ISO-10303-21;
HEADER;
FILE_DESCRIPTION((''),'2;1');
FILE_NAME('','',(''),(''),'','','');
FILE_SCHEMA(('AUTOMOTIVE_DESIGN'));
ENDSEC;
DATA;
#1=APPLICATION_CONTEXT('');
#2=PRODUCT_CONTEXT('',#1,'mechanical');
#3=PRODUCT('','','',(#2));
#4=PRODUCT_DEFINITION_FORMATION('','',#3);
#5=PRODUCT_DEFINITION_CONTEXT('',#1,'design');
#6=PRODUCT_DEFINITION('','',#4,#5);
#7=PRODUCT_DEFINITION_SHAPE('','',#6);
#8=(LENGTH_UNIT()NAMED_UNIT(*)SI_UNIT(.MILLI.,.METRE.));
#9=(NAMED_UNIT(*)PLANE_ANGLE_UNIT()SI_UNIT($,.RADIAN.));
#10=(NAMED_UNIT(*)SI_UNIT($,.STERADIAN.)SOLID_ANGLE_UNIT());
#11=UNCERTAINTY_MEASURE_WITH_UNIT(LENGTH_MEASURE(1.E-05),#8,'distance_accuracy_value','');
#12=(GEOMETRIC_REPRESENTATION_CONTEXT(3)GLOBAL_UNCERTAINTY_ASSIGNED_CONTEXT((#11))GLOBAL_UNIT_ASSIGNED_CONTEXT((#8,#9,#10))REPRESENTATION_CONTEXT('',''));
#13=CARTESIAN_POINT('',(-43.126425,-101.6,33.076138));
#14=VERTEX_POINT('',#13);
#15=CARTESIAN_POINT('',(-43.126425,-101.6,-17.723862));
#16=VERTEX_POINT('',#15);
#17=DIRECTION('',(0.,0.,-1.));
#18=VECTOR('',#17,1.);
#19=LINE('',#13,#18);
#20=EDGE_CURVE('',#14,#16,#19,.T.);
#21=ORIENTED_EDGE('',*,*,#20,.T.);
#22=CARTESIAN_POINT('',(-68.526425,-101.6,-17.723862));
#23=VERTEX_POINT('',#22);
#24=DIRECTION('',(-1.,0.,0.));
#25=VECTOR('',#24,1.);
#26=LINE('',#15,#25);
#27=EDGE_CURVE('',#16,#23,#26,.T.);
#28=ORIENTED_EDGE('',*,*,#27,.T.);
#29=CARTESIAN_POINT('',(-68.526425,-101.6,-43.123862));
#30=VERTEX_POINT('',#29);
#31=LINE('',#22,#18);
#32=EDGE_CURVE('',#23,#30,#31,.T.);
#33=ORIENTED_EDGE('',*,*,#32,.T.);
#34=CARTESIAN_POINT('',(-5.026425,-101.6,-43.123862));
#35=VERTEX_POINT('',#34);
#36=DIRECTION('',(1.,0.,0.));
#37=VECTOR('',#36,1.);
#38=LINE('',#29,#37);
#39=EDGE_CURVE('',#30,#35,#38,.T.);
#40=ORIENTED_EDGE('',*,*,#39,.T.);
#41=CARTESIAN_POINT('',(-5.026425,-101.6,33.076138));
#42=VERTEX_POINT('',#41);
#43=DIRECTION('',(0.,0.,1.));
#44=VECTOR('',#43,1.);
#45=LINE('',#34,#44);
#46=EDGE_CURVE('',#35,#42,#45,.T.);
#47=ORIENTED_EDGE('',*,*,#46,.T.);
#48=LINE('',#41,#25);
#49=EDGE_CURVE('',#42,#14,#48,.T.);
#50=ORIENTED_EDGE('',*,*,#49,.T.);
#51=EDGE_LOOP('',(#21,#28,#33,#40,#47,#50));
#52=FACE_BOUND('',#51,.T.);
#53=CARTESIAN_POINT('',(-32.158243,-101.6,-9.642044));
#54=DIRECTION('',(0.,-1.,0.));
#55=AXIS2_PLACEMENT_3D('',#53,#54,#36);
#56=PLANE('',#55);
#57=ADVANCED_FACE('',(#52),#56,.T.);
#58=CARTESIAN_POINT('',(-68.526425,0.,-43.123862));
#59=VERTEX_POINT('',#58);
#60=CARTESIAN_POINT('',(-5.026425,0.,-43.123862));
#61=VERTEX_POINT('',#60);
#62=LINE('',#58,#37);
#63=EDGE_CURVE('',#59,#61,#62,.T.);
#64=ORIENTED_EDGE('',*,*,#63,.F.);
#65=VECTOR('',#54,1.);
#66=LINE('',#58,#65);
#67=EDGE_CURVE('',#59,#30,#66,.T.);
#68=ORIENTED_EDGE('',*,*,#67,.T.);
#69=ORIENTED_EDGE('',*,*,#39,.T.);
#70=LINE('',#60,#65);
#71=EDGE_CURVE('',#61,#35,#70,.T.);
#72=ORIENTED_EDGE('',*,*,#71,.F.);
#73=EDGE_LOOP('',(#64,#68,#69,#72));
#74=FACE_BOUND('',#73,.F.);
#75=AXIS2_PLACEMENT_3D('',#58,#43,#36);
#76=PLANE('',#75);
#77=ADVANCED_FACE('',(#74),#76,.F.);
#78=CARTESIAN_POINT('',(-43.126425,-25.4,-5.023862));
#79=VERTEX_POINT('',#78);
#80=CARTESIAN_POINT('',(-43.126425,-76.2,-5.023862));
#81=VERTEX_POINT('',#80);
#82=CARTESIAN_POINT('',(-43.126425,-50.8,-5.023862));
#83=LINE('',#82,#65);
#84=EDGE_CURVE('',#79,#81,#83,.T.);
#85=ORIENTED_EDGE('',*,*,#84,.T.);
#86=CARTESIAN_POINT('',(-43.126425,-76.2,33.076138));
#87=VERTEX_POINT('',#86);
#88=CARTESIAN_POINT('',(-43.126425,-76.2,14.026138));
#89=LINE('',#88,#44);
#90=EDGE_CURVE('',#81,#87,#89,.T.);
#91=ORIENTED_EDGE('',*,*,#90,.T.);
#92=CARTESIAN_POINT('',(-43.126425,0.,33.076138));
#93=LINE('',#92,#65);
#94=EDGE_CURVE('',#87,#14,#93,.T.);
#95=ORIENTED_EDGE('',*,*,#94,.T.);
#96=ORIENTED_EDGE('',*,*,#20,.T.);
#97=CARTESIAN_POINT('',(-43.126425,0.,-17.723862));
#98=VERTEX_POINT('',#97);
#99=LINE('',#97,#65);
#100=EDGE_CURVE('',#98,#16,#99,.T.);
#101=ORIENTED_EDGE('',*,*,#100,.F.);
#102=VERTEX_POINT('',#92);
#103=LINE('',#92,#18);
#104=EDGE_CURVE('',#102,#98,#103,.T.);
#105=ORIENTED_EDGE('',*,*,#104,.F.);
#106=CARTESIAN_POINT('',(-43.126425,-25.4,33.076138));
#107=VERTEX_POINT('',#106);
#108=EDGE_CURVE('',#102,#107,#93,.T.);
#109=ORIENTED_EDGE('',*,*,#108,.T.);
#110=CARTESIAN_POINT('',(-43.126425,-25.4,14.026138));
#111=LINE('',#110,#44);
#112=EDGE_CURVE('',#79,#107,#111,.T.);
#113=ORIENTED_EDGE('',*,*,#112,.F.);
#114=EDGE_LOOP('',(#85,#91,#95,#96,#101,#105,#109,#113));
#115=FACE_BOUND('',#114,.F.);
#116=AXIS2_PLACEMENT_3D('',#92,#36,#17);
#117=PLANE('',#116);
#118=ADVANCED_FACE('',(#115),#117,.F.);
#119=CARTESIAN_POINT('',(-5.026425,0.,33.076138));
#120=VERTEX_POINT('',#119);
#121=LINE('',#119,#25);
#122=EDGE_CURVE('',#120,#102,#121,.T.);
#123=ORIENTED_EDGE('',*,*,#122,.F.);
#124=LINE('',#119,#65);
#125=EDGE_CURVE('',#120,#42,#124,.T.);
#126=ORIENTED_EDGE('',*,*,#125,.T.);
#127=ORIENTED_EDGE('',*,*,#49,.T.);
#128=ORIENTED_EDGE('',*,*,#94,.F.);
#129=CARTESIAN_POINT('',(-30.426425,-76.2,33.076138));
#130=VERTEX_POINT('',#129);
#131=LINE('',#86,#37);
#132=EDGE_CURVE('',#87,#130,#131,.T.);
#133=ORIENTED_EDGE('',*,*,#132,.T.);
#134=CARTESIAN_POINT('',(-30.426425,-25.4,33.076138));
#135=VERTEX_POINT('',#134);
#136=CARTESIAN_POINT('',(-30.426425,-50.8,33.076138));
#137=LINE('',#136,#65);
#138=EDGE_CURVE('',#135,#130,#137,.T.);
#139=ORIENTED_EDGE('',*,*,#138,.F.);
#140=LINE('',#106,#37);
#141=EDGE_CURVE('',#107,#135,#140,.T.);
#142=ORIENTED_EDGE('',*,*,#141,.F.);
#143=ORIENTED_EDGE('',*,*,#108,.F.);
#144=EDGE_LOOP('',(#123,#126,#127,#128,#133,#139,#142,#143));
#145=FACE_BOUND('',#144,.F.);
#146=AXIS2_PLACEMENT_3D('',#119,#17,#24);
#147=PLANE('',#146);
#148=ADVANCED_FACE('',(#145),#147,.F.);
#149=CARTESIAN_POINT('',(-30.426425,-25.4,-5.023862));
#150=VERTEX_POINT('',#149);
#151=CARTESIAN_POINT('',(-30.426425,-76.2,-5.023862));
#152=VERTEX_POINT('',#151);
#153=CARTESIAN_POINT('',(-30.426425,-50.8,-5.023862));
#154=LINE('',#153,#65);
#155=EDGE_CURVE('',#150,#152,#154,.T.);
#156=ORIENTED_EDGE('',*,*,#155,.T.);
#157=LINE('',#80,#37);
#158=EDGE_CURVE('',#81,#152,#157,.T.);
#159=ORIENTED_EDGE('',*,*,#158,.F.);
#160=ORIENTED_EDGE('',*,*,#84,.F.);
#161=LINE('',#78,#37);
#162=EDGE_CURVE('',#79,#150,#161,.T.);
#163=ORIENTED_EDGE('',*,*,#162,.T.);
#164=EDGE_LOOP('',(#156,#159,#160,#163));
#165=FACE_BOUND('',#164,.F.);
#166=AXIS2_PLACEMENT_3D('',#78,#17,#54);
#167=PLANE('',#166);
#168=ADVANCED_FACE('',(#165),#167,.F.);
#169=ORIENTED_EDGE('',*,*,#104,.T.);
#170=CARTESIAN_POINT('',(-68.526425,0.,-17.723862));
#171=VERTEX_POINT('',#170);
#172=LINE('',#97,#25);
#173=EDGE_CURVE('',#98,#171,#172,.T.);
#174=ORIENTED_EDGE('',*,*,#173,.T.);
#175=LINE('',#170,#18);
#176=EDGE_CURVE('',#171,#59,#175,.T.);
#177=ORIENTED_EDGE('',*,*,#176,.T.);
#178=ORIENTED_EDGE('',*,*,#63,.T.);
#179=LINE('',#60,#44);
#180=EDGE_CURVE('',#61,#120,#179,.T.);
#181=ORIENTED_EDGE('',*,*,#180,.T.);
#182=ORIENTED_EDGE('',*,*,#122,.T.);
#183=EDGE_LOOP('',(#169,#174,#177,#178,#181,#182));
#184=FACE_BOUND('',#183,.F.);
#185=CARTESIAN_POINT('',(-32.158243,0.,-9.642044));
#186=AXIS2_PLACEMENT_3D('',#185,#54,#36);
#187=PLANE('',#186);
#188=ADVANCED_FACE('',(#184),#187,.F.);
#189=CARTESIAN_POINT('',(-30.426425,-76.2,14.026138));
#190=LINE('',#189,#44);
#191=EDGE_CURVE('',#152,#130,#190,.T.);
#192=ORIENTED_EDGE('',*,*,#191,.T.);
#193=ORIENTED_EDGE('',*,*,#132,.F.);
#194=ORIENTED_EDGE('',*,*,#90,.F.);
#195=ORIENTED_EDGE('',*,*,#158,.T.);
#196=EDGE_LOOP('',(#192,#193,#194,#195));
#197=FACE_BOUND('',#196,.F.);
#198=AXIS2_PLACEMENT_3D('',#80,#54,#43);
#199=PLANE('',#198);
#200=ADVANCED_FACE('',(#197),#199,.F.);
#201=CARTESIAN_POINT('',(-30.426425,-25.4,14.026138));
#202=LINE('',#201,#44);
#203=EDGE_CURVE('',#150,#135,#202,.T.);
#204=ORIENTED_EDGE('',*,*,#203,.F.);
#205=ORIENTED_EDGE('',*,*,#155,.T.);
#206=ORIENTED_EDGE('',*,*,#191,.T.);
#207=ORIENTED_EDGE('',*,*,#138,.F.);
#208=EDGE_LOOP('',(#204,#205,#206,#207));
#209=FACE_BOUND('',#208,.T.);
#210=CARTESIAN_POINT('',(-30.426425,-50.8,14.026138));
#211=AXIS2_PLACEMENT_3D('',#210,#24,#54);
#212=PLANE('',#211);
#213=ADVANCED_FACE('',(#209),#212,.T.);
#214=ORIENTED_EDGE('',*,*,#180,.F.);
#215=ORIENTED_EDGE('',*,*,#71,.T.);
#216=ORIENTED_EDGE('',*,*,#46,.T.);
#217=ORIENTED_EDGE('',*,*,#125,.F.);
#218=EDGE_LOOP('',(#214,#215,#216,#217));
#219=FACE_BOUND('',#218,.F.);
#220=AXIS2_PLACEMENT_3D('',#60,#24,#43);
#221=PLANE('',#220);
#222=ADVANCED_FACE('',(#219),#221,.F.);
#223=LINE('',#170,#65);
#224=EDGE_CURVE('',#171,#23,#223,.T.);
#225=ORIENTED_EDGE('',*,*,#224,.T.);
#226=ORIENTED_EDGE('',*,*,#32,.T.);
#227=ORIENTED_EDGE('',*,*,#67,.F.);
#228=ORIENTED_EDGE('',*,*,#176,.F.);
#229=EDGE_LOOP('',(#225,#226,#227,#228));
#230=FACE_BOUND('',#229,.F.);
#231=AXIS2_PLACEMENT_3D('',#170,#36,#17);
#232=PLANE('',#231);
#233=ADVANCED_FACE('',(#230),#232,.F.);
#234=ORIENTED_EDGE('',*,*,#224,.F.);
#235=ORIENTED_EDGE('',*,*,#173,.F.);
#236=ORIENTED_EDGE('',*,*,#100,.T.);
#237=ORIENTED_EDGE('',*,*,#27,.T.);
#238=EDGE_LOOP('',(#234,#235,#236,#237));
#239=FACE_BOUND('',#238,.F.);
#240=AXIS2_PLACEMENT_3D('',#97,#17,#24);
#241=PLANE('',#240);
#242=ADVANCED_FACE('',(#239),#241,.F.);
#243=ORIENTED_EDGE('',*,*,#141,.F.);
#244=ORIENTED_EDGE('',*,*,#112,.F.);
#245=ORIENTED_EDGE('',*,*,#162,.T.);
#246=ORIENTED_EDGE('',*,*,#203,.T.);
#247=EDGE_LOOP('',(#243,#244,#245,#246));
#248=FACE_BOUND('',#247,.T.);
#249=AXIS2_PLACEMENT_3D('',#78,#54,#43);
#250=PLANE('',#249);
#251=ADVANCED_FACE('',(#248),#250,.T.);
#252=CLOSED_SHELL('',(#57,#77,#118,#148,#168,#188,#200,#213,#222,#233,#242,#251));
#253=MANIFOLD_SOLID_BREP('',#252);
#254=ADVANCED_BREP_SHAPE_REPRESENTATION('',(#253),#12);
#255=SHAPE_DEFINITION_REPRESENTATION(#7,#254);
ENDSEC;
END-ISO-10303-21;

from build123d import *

# Parameters (mm, degrees)
F1_DEPTH = 101.6
F2_W     = 50.8
F2_H     = 38.1
F3_DEPTH = 12.7


with BuildPart() as f1:
    # F0 (on Front) → F1 (new body)
    with BuildSketch(Plane.XZ):
        Polygon((-68.526425, -17.723862), (-68.526425, -43.123862), (-5.026425, -43.123862), (-5.026425, 33.076138), (-43.126425, 33.076138), (-43.126425, -17.723862), align=None)
    extrude(amount=F1_DEPTH)

    # F2 (on face) → F3 (cut)
    with BuildSketch(Plane(origin=(-43.126425, 0, 0), x_dir=(0, -1, 0), z_dir=(-1, 0, 0))):
        with Locations((50.8, 14.026138)):
            Rectangle(F2_W, F2_H)
    extrude(amount=-F3_DEPTH, mode=Mode.SUBTRACT)


solid = f1.part
